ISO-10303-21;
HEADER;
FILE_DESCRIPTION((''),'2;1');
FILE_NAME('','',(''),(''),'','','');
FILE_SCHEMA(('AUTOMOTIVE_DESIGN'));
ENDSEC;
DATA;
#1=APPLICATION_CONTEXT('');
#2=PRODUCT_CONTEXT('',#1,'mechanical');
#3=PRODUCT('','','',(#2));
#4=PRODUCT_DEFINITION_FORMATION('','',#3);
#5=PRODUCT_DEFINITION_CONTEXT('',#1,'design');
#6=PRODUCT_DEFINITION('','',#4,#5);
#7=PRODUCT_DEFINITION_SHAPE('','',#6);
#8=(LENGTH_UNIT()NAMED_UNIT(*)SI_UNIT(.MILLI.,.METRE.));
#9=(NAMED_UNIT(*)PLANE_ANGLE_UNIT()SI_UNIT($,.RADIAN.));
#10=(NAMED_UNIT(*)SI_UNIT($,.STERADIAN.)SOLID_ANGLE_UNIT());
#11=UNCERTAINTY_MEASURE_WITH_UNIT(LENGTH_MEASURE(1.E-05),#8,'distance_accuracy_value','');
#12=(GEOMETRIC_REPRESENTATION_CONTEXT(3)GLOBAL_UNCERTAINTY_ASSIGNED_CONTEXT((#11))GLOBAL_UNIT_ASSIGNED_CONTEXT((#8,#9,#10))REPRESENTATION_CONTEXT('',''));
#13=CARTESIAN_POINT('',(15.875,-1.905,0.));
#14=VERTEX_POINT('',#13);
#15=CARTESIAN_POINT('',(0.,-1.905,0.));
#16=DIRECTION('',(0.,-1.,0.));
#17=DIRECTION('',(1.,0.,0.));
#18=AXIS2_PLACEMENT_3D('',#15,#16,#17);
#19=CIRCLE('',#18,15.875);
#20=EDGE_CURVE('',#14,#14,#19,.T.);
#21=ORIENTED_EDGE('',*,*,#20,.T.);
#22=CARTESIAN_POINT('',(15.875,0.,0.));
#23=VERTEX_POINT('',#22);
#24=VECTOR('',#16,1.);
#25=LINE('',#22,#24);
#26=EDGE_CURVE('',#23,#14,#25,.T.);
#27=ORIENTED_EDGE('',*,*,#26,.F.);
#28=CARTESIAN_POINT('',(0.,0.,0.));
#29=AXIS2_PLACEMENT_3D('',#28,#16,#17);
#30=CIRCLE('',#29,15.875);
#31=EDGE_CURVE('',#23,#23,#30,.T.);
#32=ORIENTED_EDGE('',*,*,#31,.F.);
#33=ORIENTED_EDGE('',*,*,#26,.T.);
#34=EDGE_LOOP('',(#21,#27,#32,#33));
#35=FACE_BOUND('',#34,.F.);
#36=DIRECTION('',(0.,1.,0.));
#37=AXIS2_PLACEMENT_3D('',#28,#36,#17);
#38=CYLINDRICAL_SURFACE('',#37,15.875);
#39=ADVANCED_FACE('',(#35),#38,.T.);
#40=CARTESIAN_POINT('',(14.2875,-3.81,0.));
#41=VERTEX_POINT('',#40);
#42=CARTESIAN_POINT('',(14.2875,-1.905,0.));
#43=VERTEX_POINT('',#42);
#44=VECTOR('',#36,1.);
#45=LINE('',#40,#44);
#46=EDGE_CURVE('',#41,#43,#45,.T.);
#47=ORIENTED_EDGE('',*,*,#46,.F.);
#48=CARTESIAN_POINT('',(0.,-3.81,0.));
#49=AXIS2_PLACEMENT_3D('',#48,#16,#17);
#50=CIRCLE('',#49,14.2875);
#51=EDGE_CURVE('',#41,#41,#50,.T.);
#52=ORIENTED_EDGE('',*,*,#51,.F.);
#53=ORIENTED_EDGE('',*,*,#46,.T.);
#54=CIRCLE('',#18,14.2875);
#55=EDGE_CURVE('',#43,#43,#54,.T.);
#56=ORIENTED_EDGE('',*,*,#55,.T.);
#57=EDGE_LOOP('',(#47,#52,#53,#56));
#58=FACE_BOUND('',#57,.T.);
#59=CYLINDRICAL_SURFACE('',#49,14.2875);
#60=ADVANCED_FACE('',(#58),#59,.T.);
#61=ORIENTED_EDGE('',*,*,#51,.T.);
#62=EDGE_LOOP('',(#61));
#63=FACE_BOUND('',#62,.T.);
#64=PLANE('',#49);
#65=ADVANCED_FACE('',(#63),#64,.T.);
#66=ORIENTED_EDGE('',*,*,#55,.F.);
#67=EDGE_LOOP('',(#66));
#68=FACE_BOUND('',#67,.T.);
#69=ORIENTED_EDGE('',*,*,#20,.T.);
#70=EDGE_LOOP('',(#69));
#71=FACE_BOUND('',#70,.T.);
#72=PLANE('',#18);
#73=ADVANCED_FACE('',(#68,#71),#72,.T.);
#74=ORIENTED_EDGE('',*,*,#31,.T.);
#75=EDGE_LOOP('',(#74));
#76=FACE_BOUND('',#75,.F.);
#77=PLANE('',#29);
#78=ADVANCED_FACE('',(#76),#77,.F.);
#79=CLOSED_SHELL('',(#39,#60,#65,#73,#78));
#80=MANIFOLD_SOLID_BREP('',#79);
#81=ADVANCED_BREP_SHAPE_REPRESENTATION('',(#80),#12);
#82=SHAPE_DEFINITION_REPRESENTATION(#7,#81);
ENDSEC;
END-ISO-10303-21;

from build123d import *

# Parameters (mm, degrees)
F0_R     = 15.875
F1_DEPTH = 3.81
F2_R     = 15.875
F2_R_2   = 14.2875
F3_DEPTH = 1.905


with BuildPart() as f1:
    # F0 (on Front) → F1 (new body)
    with BuildSketch(Plane.XZ):
        Circle(F0_R)
    extrude(amount=F1_DEPTH)

    # F2 (on face) → F3 (cut)
    with BuildSketch(Plane.XZ.offset(3.81)):
        Circle(F2_R)
        Circle(F2_R_2, mode=Mode.SUBTRACT)
    extrude(amount=-F3_DEPTH, mode=Mode.SUBTRACT)


solid = f1.part
